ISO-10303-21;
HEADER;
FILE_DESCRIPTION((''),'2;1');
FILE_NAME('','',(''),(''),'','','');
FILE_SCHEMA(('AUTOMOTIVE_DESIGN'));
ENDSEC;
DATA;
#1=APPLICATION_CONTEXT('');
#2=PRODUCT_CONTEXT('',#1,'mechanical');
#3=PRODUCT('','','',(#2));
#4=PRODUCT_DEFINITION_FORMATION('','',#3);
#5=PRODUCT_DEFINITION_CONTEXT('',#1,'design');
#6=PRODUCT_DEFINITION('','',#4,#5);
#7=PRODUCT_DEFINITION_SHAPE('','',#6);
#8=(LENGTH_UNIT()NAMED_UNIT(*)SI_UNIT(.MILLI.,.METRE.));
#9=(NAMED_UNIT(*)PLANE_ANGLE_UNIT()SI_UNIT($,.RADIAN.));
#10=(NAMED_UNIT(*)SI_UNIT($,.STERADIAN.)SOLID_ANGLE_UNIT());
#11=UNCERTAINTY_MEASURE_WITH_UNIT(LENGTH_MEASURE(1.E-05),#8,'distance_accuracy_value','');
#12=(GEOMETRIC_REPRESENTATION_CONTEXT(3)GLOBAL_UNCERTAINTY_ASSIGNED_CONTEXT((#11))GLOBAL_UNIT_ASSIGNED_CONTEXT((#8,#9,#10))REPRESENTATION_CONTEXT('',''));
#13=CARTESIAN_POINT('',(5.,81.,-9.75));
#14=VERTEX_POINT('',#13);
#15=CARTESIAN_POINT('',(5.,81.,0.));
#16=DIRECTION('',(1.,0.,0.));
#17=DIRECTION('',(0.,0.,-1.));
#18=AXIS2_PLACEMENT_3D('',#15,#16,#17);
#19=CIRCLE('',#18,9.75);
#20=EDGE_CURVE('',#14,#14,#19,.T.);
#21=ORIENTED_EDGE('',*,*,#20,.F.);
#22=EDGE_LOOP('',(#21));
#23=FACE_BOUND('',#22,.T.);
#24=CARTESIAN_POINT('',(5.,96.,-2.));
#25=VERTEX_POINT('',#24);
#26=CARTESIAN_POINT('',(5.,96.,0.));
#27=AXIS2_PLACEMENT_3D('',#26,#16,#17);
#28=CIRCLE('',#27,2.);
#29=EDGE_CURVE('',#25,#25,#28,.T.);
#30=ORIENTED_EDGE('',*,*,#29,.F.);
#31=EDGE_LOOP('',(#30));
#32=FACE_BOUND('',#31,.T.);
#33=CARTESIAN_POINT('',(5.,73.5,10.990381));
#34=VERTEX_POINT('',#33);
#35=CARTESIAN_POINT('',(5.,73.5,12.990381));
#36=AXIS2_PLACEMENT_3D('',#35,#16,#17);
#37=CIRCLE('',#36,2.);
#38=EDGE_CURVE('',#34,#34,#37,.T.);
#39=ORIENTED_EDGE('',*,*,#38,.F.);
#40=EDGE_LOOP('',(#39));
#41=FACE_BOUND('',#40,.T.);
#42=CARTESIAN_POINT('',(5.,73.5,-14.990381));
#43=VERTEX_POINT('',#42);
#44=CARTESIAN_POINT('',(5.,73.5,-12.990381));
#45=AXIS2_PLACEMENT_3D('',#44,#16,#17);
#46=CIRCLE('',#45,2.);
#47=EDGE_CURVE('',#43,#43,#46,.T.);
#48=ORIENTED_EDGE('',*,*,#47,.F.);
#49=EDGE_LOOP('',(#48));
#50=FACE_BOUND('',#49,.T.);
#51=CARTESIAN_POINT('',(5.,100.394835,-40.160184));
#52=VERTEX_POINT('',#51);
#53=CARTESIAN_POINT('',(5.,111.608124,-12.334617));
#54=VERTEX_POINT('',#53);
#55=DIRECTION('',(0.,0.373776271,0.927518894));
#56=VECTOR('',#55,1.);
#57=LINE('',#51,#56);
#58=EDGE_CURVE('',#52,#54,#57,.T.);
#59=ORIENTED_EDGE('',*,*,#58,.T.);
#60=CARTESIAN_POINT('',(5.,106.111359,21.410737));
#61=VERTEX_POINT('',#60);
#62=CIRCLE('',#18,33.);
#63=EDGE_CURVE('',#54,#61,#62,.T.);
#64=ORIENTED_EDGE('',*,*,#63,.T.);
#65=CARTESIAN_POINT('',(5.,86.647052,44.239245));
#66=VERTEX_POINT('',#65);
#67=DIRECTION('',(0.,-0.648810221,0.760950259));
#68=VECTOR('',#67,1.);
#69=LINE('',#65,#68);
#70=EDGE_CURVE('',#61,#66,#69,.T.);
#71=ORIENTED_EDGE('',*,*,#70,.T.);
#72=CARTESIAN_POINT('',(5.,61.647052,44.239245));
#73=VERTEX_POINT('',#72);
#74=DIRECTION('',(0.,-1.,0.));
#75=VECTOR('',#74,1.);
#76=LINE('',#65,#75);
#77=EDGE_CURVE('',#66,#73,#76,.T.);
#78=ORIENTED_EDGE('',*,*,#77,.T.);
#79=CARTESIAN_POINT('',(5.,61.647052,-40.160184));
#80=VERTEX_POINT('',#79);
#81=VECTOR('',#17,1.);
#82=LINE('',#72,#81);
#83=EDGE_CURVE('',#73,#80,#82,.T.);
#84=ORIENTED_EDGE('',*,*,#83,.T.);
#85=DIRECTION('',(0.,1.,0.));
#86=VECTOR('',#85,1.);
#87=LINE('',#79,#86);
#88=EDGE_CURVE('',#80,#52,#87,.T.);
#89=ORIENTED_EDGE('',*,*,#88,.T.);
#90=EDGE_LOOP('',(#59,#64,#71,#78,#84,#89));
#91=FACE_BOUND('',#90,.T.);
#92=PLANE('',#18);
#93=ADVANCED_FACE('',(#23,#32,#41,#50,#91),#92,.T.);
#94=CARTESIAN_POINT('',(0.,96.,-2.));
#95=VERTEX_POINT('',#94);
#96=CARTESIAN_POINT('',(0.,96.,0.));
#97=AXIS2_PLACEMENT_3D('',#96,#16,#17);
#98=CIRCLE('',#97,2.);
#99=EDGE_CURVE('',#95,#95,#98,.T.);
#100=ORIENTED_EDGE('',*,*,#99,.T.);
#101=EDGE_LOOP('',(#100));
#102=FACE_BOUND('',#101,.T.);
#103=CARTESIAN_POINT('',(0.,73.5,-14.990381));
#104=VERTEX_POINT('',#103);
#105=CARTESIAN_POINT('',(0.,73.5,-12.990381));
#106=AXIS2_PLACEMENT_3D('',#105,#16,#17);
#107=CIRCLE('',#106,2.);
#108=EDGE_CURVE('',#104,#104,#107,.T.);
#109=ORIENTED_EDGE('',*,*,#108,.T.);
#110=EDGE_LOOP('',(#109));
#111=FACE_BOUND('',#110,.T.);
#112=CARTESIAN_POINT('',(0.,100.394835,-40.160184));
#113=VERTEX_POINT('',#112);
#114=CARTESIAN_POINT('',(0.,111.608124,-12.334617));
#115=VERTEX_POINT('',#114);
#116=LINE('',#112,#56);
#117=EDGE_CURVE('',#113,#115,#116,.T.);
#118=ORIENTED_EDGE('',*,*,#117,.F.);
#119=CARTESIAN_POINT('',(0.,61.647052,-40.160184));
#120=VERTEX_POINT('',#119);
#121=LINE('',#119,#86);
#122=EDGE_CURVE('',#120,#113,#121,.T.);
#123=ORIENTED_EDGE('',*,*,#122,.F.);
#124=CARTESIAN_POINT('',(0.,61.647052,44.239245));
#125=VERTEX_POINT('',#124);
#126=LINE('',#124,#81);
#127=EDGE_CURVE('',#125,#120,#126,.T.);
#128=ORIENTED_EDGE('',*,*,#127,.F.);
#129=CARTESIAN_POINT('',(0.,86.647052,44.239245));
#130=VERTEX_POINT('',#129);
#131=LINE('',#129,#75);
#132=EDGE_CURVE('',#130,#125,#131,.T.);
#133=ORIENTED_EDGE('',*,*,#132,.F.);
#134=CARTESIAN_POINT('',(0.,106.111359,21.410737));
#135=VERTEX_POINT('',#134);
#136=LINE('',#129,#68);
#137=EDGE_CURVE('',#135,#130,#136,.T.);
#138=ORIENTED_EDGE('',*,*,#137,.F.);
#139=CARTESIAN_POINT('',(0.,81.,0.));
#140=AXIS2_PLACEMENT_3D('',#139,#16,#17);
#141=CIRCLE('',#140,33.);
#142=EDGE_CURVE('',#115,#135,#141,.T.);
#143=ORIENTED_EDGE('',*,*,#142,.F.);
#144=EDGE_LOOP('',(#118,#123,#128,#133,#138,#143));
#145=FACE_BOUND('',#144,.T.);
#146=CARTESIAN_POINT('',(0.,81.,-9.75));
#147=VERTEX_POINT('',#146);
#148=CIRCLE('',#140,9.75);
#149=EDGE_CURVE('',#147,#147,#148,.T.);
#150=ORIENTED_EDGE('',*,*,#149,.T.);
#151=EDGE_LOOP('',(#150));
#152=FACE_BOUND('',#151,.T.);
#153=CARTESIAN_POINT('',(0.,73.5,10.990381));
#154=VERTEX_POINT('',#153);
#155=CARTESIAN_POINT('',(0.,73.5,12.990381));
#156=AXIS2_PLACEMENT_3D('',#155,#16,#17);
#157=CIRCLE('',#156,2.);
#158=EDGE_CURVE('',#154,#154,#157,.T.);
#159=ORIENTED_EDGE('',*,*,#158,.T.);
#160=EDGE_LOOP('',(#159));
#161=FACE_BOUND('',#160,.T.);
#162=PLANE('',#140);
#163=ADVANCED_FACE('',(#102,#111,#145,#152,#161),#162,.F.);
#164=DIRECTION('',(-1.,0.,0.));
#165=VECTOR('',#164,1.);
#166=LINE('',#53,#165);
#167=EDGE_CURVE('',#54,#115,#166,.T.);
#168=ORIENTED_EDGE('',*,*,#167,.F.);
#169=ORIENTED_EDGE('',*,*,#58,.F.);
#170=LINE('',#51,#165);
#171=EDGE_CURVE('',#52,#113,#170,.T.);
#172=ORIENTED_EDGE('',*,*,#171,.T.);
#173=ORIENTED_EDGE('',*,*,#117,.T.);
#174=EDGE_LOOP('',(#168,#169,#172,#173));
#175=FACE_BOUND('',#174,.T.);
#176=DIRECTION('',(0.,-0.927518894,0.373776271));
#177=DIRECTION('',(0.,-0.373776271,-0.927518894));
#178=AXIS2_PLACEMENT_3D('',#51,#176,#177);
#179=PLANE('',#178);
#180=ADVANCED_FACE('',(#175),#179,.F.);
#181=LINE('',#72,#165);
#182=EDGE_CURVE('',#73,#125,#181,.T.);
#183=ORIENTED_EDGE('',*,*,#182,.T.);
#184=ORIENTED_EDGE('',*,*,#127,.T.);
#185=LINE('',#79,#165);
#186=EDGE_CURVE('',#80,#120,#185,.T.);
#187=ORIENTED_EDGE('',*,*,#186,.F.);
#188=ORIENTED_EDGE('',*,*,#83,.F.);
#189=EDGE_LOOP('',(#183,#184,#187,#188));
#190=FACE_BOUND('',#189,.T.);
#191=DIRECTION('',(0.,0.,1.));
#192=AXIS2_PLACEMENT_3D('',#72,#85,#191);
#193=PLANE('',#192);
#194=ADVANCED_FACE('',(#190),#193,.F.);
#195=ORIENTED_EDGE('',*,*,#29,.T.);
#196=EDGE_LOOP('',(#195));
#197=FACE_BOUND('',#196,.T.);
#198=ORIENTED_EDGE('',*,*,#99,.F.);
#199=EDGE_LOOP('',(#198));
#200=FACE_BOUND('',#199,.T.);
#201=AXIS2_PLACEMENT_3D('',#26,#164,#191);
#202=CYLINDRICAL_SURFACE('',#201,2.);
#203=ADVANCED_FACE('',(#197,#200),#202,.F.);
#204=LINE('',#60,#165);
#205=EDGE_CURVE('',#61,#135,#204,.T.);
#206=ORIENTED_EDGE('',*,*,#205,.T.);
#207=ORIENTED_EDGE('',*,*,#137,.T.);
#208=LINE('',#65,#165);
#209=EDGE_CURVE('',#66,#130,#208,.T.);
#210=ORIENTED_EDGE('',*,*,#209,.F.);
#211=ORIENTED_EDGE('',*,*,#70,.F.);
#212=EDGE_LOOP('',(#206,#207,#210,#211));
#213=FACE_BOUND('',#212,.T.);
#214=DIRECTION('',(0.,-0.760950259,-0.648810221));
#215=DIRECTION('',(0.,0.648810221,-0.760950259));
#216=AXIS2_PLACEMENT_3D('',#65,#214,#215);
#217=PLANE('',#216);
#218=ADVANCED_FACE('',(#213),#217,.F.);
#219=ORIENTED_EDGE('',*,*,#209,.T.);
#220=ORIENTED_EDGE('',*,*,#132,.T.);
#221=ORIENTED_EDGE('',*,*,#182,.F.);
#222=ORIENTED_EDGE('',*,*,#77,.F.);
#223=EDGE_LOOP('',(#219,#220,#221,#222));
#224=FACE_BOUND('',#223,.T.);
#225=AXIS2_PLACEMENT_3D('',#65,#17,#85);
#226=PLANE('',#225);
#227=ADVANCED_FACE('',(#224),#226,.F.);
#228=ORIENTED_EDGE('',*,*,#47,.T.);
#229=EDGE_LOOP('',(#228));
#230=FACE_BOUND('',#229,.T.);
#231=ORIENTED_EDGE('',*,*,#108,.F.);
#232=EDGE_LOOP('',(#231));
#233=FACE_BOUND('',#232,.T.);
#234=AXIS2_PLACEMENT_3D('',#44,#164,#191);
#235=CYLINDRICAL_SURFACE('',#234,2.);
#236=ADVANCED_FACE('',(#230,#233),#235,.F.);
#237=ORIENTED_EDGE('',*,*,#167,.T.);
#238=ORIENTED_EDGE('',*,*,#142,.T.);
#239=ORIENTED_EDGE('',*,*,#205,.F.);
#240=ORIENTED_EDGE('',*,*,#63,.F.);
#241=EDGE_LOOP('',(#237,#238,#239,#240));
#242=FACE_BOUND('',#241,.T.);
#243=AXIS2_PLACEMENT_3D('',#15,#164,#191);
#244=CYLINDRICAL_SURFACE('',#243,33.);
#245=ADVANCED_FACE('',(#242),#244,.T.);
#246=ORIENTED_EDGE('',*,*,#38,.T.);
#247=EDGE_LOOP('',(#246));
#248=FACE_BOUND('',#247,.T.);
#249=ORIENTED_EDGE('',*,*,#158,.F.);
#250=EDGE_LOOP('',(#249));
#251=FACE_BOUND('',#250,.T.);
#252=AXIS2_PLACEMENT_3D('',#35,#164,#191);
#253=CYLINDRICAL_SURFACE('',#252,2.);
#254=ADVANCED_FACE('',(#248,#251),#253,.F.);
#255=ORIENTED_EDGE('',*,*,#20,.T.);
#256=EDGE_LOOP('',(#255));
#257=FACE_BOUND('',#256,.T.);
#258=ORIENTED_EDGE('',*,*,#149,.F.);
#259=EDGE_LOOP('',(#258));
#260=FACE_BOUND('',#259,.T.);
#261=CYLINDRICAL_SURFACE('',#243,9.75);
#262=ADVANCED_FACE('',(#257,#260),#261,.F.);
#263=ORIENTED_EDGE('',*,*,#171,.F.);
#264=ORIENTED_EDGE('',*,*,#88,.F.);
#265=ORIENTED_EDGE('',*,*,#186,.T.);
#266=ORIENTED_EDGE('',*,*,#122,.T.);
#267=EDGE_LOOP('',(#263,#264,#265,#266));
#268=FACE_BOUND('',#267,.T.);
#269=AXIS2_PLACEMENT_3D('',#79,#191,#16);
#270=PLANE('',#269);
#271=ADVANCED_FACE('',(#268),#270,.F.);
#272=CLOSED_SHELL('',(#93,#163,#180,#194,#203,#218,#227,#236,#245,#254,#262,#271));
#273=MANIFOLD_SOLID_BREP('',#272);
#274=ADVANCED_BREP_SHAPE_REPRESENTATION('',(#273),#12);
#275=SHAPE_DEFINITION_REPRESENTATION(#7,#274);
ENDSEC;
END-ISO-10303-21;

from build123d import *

# Parameters (mm, degrees)
ESTRUSIONE_ESTRUSIONE1_DEPTH = 5
SCHIZZO2_R                   = 4
SCHIZZO2_R_2                 = 2
SCHIZZO2_R_3                 = 9.75
TAGLIO_ESTRUSIONE1_DEPTH     = 6


with BuildPart() as part:
    # Schizzo3 → Estrusione-Estrusione1 (new body)
    with BuildSketch(Plane(origin=(0, 0, 0), x_dir=(0, 0, -1), z_dir=(1, 0, 0))):
        with BuildLine():
            Line((40.160183768, 61.647051924), (40.160183768, 100.394835388))
            Line((40.160183768, 100.394835388), (12.334616938, 111.608123513))
            ThreePointArc((12.334616938, 111.608123513), (-5.305430843, 113.570729245), (-21.410737295, 106.111358555))
            Line((-21.410737295, 106.111358555), (-44.239245072, 86.647051924))
            Line((-44.239245072, 86.647051924), (-44.239245072, 61.647051924))
            Line((-44.239245072, 61.647051924), (40.160183768, 61.647051924))
        make_face()
    extrude(amount=ESTRUSIONE_ESTRUSIONE1_DEPTH)

    # Schizzo2 → Taglio-Estrusione1 (cut, through all)
    with BuildSketch(Plane(origin=(0, 0, 0), x_dir=(0, 0, -1), z_dir=(1, 0, 0))):
        with Locations((-95, 0)):
            Circle(SCHIZZO2_R)
        with Locations((201, 0)):
            Circle(SCHIZZO2_R)
        with Locations((12.990381057, 73.5)):
            Circle(SCHIZZO2_R_2)
        with Locations((-12.990381057, 73.5)):
            Circle(SCHIZZO2_R_2)
        with Locations((0, 96)):
            Circle(SCHIZZO2_R_2)
        with Locations((0, 81)):
            Circle(SCHIZZO2_R_3)
    extrude(amount=TAGLIO_ESTRUSIONE1_DEPTH, mode=Mode.SUBTRACT)


solid = part.part
